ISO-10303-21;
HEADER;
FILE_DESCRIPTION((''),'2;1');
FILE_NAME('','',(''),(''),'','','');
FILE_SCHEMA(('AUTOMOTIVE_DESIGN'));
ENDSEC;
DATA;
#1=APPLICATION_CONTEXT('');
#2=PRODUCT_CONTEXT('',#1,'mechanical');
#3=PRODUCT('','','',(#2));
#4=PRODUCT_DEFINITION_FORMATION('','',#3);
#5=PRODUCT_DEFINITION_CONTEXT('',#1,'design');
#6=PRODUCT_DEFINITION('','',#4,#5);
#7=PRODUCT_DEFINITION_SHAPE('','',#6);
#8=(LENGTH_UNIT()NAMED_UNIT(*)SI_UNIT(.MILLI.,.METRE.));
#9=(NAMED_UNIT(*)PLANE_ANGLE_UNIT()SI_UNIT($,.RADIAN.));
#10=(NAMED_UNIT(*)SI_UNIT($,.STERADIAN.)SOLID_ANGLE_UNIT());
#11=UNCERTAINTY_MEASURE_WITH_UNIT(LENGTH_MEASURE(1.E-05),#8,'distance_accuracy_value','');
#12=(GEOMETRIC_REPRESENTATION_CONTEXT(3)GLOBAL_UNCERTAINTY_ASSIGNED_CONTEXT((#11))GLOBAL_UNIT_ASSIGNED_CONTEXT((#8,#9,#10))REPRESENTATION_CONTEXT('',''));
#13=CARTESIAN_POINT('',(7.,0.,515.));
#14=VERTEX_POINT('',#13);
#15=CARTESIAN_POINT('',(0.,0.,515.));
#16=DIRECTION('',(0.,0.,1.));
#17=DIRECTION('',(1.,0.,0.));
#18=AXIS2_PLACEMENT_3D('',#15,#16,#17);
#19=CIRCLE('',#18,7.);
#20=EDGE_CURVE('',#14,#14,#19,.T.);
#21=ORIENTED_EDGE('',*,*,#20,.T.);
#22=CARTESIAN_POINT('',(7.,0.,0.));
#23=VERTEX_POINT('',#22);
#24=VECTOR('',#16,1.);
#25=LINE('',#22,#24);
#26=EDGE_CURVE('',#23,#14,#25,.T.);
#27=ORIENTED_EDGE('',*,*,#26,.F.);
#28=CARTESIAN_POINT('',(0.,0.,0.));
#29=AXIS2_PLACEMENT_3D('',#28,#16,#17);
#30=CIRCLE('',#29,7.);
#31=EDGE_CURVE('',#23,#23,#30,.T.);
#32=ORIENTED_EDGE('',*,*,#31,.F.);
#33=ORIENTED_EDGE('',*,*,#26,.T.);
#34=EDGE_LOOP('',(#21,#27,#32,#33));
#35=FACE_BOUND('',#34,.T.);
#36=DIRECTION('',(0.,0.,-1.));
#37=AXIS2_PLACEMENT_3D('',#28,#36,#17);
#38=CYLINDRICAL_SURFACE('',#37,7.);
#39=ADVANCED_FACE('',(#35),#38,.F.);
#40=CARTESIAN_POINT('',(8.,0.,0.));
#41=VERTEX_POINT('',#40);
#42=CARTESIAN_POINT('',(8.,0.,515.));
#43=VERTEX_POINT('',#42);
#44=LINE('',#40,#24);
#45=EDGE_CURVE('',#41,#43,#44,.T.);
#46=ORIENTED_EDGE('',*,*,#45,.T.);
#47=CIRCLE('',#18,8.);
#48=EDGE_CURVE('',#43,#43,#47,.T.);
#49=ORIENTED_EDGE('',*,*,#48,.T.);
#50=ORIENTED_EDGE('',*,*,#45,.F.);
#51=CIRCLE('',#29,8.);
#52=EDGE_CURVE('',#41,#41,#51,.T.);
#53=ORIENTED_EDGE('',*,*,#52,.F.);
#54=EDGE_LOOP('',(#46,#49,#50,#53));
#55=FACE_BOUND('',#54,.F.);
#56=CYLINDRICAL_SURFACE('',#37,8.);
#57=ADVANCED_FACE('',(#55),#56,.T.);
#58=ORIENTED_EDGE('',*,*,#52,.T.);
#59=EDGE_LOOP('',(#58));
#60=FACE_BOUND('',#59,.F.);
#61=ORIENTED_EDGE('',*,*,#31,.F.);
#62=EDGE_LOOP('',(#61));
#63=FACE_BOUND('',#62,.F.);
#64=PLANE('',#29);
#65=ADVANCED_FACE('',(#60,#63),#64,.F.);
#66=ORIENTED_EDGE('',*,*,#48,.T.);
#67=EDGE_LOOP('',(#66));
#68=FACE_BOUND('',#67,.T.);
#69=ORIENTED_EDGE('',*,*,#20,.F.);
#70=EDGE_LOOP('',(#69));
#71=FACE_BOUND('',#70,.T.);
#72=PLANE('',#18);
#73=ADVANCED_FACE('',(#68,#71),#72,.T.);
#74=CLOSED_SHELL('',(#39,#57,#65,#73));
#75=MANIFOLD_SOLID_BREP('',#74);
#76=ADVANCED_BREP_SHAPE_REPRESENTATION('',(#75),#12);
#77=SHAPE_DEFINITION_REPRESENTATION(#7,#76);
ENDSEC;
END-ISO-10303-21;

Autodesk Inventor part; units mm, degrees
ref_plane "YZ Plane" through (0, 0, 0) normal (1, 0, 0) x (0, 1, 0)
ref_plane "XZ Plane" through (0, 0, 0) normal (0, 1, 0) x (-1, 0, 0)
ref_plane "XY Plane" through (0, 0, 0) normal (0, 0, 1) x (1, 0, 0)
sketch "Sketch1" plane through (0, 0, 0) normal (0, 0, 1) x (1, 0, 0)
  circle A0 centre (0, 0) radius 8
  circle A1 centre (0, 0) radius 7
  dimension "d0" = 16
  dimension "d1" = 14
extrude "Extrusion1" add sketch "Sketch1" along normal blind 515
equation "\"MountToMotorCenter\" = 0"
equation "\"ArmPosition\" = 5deg"
equation "\"BatteryWidth\" = 62"
equation "\"BatteryHeight\" = 76"
equation "\"ThicknessBodyOuterPlate\" = 2"
equation "\"ThicknessBodyCenterPlate\" = 2"
equation "\"ThicknessLegLoadpipePlate\" = 2"
equation "\"ThicknessBatteryTray\" = 2"
equation "\"ThicknessBatteryTopTray\" = 1"
equation "\"LandingGearStabilityBar\" = 525"
equation "\"StartAngleArm\" = 45deg"
equation "\"MotorMountCenter\" = 71.5"
properties part number "Landing_Gear_Stability_Bar" material "CFRP"
